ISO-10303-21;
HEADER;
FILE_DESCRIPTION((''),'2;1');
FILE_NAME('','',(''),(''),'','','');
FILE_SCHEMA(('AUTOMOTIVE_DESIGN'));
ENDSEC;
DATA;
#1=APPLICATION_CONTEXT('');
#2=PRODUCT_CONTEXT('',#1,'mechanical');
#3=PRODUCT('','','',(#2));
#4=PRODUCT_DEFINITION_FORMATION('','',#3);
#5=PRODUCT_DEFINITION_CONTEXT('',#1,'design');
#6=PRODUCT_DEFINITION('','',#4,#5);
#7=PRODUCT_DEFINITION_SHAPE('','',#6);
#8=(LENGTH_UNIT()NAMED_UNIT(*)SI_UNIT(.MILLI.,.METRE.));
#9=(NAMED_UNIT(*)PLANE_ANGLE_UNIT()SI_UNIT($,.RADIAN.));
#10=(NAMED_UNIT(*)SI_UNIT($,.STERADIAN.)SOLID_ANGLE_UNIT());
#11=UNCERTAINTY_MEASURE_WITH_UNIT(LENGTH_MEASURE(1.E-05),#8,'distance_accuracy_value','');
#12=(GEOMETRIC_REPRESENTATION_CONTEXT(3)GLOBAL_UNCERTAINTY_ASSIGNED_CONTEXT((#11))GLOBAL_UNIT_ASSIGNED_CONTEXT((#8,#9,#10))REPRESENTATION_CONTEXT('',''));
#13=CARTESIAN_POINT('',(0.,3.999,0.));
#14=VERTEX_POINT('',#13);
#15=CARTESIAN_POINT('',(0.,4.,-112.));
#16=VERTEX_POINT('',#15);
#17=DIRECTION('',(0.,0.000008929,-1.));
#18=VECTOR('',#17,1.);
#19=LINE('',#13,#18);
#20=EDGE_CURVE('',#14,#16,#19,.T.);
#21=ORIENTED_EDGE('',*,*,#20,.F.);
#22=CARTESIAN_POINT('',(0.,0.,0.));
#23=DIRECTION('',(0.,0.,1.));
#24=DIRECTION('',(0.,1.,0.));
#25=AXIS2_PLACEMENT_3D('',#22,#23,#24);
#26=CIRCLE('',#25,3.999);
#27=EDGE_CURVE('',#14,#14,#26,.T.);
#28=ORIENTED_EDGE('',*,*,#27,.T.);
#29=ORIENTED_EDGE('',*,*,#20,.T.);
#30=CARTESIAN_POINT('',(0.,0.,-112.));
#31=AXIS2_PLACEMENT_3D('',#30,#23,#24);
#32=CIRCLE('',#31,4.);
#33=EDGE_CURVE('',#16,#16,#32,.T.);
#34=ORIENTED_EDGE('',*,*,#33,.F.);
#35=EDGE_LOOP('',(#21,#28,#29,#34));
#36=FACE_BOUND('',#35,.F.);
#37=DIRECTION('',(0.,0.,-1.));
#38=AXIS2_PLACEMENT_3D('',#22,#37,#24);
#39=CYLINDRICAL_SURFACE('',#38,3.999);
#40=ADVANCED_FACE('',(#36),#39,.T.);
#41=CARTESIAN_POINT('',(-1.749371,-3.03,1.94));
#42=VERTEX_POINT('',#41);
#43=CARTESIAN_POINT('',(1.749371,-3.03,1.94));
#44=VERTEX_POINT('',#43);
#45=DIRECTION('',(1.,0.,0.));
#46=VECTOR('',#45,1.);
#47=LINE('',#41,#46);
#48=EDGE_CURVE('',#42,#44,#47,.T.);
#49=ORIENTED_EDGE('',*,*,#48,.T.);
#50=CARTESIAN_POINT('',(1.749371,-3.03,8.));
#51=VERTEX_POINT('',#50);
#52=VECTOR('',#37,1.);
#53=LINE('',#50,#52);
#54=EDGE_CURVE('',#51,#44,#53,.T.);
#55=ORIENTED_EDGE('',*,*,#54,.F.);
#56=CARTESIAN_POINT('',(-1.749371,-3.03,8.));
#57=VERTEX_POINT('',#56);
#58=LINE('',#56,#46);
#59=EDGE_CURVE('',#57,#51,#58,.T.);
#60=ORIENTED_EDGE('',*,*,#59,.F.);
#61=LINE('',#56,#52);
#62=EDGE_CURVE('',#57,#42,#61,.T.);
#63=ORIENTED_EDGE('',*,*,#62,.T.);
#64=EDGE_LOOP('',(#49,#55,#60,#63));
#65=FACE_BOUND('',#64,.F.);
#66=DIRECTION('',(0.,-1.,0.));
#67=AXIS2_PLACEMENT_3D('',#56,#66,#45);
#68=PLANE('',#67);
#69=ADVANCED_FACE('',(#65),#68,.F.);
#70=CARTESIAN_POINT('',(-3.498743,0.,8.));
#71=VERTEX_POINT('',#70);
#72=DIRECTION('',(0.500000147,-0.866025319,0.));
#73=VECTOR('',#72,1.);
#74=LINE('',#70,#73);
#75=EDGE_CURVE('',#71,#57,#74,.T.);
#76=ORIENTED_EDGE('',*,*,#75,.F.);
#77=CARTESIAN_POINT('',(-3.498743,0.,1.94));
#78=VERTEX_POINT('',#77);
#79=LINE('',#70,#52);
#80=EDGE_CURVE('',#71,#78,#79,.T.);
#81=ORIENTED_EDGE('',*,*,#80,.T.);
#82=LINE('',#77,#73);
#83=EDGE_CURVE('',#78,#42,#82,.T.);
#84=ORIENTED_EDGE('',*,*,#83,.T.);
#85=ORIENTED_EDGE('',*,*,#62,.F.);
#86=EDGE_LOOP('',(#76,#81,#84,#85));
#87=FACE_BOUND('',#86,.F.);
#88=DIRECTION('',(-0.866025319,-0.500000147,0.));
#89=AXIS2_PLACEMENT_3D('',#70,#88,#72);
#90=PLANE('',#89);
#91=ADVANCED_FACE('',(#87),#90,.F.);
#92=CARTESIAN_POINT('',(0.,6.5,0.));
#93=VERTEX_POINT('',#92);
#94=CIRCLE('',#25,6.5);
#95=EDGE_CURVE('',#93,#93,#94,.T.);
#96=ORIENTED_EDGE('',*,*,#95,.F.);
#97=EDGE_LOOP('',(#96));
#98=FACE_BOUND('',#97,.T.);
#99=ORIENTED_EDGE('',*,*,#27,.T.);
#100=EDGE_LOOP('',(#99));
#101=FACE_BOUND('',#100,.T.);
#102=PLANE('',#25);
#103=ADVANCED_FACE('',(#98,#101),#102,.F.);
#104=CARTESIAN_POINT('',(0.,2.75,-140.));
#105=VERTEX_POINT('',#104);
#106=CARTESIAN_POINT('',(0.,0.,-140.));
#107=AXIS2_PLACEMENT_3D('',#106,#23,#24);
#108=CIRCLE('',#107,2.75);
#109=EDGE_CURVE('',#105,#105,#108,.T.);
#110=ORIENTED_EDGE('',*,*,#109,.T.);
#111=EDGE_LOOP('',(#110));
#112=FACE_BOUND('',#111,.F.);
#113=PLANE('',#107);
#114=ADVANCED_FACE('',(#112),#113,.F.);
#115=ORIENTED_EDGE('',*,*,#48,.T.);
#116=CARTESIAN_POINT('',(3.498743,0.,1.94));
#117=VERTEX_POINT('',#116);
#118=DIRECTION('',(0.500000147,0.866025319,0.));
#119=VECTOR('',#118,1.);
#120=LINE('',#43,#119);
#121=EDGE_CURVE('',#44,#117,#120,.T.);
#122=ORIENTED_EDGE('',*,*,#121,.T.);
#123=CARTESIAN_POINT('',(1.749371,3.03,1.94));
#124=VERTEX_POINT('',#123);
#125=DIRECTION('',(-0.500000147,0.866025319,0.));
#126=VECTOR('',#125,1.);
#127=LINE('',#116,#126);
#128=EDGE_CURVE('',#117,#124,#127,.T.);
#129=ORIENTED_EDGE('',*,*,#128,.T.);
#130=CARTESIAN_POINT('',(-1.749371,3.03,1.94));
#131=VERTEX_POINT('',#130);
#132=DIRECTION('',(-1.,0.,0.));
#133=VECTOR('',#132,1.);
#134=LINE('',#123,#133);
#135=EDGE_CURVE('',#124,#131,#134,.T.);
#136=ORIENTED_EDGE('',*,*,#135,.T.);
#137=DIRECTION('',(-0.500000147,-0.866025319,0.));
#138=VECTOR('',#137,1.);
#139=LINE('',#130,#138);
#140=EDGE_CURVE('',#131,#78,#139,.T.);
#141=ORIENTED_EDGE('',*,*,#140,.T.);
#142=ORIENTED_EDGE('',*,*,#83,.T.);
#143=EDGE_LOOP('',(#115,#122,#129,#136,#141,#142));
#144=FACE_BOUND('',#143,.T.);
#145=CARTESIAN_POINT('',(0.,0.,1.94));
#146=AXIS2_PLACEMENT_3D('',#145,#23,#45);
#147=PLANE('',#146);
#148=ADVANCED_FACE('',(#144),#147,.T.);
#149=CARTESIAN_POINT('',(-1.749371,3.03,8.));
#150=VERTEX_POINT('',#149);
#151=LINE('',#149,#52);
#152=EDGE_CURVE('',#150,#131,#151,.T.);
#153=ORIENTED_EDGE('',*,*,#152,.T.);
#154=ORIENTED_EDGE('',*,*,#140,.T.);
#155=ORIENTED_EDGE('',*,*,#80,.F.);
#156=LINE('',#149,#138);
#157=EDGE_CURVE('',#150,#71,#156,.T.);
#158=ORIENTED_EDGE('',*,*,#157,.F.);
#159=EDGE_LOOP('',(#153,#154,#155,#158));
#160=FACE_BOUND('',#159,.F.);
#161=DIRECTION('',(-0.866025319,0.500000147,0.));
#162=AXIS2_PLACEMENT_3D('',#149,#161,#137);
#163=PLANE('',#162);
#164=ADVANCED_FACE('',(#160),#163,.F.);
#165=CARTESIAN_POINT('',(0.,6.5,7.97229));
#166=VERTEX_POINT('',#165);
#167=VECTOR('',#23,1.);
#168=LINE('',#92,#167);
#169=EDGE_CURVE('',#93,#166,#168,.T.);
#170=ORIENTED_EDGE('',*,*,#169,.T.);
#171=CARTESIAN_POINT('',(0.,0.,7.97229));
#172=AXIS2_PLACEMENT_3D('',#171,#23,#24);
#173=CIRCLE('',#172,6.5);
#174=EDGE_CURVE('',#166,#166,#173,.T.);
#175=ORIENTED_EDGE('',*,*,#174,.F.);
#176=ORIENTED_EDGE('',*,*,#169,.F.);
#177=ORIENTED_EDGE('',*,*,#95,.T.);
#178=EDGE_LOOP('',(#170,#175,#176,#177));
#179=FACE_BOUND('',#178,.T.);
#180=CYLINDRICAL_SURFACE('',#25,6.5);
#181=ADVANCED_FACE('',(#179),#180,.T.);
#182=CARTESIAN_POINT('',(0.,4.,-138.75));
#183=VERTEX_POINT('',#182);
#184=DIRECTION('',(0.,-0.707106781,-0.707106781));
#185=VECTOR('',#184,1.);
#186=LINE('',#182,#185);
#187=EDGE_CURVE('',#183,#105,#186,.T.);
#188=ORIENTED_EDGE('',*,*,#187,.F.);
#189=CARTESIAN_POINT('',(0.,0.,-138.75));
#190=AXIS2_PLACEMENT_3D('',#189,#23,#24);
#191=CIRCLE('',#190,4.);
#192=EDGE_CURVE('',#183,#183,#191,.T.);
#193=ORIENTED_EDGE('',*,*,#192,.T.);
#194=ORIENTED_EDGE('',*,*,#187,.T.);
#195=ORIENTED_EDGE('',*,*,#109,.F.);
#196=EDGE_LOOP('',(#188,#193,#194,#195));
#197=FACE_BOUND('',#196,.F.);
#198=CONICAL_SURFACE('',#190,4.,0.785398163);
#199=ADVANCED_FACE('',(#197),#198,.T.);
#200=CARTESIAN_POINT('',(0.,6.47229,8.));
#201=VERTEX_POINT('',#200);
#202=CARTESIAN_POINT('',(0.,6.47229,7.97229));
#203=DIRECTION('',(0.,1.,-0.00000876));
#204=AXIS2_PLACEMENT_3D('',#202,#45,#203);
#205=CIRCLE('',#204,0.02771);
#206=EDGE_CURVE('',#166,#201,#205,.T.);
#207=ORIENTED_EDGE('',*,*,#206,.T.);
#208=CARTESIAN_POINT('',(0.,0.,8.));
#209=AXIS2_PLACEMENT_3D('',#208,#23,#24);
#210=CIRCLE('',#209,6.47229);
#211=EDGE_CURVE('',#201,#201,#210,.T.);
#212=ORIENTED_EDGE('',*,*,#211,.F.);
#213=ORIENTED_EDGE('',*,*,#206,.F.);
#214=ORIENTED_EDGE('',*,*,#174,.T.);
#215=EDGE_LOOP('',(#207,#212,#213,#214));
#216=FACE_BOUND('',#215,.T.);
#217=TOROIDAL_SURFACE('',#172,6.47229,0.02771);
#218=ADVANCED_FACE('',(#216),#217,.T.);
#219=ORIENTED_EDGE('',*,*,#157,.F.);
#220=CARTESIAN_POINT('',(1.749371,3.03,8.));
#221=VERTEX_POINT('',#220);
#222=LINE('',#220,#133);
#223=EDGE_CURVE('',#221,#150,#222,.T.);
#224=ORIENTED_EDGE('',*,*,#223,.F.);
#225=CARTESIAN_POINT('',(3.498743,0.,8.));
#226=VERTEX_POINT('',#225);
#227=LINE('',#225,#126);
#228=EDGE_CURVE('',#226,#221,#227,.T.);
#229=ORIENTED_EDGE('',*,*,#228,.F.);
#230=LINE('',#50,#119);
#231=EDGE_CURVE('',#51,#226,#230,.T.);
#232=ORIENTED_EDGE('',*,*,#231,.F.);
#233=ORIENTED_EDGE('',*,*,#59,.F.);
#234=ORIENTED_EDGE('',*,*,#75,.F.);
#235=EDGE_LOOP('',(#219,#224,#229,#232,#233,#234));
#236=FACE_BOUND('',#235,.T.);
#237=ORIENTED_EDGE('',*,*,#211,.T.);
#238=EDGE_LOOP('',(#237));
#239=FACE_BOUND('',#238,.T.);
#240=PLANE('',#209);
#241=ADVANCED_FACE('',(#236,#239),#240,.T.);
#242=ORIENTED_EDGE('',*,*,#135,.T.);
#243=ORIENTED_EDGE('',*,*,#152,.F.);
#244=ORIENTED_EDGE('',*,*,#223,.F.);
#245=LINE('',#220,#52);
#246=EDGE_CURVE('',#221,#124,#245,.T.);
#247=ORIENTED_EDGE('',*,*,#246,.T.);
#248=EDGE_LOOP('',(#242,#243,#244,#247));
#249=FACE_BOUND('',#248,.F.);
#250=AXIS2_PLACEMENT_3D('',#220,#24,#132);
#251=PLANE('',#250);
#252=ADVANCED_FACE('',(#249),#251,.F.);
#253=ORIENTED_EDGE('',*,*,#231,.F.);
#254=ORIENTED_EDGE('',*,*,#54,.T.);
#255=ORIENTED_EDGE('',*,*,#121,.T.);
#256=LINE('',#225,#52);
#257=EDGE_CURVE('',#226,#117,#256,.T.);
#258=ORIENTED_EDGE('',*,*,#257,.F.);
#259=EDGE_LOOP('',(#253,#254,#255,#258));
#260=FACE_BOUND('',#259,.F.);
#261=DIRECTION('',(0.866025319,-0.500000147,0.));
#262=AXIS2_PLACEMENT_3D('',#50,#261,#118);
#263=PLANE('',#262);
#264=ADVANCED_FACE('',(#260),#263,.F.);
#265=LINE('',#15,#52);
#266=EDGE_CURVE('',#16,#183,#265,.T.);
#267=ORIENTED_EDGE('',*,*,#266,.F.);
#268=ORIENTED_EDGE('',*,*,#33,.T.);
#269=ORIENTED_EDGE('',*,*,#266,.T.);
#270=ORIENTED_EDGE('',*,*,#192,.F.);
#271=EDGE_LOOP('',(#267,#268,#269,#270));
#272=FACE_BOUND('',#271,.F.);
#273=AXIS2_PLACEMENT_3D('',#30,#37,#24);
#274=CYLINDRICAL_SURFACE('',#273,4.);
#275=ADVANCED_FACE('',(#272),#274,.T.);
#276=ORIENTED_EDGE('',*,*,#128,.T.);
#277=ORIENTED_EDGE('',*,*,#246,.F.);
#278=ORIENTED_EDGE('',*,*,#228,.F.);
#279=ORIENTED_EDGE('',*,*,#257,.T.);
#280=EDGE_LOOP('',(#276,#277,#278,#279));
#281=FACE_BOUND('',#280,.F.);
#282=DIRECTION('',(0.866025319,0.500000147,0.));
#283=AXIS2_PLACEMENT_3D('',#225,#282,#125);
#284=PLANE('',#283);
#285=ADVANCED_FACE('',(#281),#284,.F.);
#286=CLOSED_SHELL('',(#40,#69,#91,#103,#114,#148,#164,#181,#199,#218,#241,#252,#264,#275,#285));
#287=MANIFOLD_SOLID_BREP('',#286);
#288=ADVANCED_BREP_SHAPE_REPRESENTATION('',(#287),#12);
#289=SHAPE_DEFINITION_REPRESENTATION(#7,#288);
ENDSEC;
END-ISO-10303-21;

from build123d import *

# Parameters (mm, degrees)
POCKET_DEPTH = 6.06


with BuildPart() as part:
    # Sketch → Revolve (revolve)
    with BuildSketch(Plane.YZ):
        with BuildLine():
            Line((3.999, 0), (6.5, 0))
            Line((6.5, 0), (6.5, 7.97229))
            ThreePointArc((6.5, 7.97229), (6.491884, 7.991884), (6.47229, 8))
            Line((6.47229, 8), (0, 8))
            Line((0, -140), (0, 8))
            Line((2.75, -140), (0, -140))
            Line((4, -138.75), (2.75, -140))
            Line((4, -112), (4, -138.75))
            Line((3.999, 0), (4, -112))
        make_face()
    revolve(axis=Axis((0, 0, 0), (0, 0, 1)))

    # Sketch001 → Pocket (cut)
    with BuildSketch(Plane.XY.offset(8)):
        Polygon((3.498743, 0), (1.749371, 3.03), (-1.749371, 3.03), (-3.498743, 0), (-1.749371, -3.03), (1.749371, -3.03), align=None)
    extrude(amount=-POCKET_DEPTH, mode=Mode.SUBTRACT)


solid = part.part
